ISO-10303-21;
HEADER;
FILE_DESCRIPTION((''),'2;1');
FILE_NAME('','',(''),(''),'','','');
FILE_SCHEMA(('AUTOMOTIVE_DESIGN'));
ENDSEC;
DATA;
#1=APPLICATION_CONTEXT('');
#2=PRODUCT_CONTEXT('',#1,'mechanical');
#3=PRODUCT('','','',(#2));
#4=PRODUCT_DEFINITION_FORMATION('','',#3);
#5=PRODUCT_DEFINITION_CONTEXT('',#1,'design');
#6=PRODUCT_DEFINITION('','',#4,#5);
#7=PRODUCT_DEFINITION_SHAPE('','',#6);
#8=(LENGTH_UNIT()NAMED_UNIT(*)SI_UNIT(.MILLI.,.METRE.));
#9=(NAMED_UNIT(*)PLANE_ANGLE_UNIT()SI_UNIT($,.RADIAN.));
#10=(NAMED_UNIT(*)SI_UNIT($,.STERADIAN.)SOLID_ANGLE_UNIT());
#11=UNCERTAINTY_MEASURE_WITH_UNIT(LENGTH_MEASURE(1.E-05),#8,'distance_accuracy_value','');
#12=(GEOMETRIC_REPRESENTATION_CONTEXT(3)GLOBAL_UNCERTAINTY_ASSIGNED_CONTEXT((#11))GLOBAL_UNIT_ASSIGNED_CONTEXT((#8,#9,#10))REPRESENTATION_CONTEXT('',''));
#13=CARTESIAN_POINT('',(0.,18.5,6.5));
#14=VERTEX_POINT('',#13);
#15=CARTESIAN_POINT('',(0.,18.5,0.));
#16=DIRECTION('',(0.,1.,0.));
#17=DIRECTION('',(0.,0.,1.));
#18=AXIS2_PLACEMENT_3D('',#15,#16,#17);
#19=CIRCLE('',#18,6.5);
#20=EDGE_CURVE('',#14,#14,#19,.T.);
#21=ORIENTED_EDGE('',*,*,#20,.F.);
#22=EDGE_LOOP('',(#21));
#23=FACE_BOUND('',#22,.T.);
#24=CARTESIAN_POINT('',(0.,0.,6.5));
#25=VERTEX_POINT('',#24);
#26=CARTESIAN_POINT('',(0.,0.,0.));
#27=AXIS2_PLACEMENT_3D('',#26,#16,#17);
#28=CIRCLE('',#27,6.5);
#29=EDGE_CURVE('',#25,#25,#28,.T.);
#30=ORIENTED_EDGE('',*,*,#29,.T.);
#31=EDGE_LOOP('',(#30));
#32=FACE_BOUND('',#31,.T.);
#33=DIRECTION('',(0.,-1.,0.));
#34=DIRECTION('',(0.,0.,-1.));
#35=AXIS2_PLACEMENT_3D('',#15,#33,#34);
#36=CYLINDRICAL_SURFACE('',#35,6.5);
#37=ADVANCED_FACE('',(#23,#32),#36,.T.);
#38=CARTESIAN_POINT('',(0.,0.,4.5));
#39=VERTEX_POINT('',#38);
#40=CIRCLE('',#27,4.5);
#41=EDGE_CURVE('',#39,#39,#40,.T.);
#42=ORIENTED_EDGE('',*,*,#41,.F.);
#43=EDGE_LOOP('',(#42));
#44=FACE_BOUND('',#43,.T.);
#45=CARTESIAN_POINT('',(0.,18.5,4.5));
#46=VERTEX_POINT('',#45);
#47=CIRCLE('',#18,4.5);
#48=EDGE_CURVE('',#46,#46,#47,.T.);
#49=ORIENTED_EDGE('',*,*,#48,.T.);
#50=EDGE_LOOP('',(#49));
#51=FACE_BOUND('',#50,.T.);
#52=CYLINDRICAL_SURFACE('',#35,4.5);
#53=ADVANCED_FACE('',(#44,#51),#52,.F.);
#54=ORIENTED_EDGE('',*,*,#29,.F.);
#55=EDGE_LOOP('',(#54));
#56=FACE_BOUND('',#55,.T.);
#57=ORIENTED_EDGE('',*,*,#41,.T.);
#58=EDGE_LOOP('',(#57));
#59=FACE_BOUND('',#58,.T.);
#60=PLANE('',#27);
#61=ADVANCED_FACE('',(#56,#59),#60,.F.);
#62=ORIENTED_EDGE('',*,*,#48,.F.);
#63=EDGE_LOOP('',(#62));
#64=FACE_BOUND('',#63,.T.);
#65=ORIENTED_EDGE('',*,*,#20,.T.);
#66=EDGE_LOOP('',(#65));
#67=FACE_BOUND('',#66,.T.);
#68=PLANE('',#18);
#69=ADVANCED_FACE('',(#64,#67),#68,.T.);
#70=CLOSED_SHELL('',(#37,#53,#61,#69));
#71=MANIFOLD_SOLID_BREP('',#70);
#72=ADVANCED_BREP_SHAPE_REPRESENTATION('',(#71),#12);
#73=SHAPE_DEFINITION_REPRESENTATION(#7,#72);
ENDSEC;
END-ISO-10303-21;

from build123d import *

# Parameters (mm, degrees)
CROQUIS1_R              = 6.5
CROQUIS1_R_2            = 4.5
SALIENTE_EXTRUIR1_DEPTH = 18.5


with BuildPart() as part:
    # Croquis1 → Saliente-Extruir1 (new body)
    with BuildSketch(Plane(origin=(0, 0, 0), x_dir=(1, 0, 0), z_dir=(0, 1, 0))):
        with Locations(Location((0, 0, 0), (0, 0, 270))):
            Circle(CROQUIS1_R)
        with Locations(Location((0, 0, 0), (0, 0, 270))):
            Circle(CROQUIS1_R_2, mode=Mode.SUBTRACT)
    extrude(amount=SALIENTE_EXTRUIR1_DEPTH)


solid = part.part
